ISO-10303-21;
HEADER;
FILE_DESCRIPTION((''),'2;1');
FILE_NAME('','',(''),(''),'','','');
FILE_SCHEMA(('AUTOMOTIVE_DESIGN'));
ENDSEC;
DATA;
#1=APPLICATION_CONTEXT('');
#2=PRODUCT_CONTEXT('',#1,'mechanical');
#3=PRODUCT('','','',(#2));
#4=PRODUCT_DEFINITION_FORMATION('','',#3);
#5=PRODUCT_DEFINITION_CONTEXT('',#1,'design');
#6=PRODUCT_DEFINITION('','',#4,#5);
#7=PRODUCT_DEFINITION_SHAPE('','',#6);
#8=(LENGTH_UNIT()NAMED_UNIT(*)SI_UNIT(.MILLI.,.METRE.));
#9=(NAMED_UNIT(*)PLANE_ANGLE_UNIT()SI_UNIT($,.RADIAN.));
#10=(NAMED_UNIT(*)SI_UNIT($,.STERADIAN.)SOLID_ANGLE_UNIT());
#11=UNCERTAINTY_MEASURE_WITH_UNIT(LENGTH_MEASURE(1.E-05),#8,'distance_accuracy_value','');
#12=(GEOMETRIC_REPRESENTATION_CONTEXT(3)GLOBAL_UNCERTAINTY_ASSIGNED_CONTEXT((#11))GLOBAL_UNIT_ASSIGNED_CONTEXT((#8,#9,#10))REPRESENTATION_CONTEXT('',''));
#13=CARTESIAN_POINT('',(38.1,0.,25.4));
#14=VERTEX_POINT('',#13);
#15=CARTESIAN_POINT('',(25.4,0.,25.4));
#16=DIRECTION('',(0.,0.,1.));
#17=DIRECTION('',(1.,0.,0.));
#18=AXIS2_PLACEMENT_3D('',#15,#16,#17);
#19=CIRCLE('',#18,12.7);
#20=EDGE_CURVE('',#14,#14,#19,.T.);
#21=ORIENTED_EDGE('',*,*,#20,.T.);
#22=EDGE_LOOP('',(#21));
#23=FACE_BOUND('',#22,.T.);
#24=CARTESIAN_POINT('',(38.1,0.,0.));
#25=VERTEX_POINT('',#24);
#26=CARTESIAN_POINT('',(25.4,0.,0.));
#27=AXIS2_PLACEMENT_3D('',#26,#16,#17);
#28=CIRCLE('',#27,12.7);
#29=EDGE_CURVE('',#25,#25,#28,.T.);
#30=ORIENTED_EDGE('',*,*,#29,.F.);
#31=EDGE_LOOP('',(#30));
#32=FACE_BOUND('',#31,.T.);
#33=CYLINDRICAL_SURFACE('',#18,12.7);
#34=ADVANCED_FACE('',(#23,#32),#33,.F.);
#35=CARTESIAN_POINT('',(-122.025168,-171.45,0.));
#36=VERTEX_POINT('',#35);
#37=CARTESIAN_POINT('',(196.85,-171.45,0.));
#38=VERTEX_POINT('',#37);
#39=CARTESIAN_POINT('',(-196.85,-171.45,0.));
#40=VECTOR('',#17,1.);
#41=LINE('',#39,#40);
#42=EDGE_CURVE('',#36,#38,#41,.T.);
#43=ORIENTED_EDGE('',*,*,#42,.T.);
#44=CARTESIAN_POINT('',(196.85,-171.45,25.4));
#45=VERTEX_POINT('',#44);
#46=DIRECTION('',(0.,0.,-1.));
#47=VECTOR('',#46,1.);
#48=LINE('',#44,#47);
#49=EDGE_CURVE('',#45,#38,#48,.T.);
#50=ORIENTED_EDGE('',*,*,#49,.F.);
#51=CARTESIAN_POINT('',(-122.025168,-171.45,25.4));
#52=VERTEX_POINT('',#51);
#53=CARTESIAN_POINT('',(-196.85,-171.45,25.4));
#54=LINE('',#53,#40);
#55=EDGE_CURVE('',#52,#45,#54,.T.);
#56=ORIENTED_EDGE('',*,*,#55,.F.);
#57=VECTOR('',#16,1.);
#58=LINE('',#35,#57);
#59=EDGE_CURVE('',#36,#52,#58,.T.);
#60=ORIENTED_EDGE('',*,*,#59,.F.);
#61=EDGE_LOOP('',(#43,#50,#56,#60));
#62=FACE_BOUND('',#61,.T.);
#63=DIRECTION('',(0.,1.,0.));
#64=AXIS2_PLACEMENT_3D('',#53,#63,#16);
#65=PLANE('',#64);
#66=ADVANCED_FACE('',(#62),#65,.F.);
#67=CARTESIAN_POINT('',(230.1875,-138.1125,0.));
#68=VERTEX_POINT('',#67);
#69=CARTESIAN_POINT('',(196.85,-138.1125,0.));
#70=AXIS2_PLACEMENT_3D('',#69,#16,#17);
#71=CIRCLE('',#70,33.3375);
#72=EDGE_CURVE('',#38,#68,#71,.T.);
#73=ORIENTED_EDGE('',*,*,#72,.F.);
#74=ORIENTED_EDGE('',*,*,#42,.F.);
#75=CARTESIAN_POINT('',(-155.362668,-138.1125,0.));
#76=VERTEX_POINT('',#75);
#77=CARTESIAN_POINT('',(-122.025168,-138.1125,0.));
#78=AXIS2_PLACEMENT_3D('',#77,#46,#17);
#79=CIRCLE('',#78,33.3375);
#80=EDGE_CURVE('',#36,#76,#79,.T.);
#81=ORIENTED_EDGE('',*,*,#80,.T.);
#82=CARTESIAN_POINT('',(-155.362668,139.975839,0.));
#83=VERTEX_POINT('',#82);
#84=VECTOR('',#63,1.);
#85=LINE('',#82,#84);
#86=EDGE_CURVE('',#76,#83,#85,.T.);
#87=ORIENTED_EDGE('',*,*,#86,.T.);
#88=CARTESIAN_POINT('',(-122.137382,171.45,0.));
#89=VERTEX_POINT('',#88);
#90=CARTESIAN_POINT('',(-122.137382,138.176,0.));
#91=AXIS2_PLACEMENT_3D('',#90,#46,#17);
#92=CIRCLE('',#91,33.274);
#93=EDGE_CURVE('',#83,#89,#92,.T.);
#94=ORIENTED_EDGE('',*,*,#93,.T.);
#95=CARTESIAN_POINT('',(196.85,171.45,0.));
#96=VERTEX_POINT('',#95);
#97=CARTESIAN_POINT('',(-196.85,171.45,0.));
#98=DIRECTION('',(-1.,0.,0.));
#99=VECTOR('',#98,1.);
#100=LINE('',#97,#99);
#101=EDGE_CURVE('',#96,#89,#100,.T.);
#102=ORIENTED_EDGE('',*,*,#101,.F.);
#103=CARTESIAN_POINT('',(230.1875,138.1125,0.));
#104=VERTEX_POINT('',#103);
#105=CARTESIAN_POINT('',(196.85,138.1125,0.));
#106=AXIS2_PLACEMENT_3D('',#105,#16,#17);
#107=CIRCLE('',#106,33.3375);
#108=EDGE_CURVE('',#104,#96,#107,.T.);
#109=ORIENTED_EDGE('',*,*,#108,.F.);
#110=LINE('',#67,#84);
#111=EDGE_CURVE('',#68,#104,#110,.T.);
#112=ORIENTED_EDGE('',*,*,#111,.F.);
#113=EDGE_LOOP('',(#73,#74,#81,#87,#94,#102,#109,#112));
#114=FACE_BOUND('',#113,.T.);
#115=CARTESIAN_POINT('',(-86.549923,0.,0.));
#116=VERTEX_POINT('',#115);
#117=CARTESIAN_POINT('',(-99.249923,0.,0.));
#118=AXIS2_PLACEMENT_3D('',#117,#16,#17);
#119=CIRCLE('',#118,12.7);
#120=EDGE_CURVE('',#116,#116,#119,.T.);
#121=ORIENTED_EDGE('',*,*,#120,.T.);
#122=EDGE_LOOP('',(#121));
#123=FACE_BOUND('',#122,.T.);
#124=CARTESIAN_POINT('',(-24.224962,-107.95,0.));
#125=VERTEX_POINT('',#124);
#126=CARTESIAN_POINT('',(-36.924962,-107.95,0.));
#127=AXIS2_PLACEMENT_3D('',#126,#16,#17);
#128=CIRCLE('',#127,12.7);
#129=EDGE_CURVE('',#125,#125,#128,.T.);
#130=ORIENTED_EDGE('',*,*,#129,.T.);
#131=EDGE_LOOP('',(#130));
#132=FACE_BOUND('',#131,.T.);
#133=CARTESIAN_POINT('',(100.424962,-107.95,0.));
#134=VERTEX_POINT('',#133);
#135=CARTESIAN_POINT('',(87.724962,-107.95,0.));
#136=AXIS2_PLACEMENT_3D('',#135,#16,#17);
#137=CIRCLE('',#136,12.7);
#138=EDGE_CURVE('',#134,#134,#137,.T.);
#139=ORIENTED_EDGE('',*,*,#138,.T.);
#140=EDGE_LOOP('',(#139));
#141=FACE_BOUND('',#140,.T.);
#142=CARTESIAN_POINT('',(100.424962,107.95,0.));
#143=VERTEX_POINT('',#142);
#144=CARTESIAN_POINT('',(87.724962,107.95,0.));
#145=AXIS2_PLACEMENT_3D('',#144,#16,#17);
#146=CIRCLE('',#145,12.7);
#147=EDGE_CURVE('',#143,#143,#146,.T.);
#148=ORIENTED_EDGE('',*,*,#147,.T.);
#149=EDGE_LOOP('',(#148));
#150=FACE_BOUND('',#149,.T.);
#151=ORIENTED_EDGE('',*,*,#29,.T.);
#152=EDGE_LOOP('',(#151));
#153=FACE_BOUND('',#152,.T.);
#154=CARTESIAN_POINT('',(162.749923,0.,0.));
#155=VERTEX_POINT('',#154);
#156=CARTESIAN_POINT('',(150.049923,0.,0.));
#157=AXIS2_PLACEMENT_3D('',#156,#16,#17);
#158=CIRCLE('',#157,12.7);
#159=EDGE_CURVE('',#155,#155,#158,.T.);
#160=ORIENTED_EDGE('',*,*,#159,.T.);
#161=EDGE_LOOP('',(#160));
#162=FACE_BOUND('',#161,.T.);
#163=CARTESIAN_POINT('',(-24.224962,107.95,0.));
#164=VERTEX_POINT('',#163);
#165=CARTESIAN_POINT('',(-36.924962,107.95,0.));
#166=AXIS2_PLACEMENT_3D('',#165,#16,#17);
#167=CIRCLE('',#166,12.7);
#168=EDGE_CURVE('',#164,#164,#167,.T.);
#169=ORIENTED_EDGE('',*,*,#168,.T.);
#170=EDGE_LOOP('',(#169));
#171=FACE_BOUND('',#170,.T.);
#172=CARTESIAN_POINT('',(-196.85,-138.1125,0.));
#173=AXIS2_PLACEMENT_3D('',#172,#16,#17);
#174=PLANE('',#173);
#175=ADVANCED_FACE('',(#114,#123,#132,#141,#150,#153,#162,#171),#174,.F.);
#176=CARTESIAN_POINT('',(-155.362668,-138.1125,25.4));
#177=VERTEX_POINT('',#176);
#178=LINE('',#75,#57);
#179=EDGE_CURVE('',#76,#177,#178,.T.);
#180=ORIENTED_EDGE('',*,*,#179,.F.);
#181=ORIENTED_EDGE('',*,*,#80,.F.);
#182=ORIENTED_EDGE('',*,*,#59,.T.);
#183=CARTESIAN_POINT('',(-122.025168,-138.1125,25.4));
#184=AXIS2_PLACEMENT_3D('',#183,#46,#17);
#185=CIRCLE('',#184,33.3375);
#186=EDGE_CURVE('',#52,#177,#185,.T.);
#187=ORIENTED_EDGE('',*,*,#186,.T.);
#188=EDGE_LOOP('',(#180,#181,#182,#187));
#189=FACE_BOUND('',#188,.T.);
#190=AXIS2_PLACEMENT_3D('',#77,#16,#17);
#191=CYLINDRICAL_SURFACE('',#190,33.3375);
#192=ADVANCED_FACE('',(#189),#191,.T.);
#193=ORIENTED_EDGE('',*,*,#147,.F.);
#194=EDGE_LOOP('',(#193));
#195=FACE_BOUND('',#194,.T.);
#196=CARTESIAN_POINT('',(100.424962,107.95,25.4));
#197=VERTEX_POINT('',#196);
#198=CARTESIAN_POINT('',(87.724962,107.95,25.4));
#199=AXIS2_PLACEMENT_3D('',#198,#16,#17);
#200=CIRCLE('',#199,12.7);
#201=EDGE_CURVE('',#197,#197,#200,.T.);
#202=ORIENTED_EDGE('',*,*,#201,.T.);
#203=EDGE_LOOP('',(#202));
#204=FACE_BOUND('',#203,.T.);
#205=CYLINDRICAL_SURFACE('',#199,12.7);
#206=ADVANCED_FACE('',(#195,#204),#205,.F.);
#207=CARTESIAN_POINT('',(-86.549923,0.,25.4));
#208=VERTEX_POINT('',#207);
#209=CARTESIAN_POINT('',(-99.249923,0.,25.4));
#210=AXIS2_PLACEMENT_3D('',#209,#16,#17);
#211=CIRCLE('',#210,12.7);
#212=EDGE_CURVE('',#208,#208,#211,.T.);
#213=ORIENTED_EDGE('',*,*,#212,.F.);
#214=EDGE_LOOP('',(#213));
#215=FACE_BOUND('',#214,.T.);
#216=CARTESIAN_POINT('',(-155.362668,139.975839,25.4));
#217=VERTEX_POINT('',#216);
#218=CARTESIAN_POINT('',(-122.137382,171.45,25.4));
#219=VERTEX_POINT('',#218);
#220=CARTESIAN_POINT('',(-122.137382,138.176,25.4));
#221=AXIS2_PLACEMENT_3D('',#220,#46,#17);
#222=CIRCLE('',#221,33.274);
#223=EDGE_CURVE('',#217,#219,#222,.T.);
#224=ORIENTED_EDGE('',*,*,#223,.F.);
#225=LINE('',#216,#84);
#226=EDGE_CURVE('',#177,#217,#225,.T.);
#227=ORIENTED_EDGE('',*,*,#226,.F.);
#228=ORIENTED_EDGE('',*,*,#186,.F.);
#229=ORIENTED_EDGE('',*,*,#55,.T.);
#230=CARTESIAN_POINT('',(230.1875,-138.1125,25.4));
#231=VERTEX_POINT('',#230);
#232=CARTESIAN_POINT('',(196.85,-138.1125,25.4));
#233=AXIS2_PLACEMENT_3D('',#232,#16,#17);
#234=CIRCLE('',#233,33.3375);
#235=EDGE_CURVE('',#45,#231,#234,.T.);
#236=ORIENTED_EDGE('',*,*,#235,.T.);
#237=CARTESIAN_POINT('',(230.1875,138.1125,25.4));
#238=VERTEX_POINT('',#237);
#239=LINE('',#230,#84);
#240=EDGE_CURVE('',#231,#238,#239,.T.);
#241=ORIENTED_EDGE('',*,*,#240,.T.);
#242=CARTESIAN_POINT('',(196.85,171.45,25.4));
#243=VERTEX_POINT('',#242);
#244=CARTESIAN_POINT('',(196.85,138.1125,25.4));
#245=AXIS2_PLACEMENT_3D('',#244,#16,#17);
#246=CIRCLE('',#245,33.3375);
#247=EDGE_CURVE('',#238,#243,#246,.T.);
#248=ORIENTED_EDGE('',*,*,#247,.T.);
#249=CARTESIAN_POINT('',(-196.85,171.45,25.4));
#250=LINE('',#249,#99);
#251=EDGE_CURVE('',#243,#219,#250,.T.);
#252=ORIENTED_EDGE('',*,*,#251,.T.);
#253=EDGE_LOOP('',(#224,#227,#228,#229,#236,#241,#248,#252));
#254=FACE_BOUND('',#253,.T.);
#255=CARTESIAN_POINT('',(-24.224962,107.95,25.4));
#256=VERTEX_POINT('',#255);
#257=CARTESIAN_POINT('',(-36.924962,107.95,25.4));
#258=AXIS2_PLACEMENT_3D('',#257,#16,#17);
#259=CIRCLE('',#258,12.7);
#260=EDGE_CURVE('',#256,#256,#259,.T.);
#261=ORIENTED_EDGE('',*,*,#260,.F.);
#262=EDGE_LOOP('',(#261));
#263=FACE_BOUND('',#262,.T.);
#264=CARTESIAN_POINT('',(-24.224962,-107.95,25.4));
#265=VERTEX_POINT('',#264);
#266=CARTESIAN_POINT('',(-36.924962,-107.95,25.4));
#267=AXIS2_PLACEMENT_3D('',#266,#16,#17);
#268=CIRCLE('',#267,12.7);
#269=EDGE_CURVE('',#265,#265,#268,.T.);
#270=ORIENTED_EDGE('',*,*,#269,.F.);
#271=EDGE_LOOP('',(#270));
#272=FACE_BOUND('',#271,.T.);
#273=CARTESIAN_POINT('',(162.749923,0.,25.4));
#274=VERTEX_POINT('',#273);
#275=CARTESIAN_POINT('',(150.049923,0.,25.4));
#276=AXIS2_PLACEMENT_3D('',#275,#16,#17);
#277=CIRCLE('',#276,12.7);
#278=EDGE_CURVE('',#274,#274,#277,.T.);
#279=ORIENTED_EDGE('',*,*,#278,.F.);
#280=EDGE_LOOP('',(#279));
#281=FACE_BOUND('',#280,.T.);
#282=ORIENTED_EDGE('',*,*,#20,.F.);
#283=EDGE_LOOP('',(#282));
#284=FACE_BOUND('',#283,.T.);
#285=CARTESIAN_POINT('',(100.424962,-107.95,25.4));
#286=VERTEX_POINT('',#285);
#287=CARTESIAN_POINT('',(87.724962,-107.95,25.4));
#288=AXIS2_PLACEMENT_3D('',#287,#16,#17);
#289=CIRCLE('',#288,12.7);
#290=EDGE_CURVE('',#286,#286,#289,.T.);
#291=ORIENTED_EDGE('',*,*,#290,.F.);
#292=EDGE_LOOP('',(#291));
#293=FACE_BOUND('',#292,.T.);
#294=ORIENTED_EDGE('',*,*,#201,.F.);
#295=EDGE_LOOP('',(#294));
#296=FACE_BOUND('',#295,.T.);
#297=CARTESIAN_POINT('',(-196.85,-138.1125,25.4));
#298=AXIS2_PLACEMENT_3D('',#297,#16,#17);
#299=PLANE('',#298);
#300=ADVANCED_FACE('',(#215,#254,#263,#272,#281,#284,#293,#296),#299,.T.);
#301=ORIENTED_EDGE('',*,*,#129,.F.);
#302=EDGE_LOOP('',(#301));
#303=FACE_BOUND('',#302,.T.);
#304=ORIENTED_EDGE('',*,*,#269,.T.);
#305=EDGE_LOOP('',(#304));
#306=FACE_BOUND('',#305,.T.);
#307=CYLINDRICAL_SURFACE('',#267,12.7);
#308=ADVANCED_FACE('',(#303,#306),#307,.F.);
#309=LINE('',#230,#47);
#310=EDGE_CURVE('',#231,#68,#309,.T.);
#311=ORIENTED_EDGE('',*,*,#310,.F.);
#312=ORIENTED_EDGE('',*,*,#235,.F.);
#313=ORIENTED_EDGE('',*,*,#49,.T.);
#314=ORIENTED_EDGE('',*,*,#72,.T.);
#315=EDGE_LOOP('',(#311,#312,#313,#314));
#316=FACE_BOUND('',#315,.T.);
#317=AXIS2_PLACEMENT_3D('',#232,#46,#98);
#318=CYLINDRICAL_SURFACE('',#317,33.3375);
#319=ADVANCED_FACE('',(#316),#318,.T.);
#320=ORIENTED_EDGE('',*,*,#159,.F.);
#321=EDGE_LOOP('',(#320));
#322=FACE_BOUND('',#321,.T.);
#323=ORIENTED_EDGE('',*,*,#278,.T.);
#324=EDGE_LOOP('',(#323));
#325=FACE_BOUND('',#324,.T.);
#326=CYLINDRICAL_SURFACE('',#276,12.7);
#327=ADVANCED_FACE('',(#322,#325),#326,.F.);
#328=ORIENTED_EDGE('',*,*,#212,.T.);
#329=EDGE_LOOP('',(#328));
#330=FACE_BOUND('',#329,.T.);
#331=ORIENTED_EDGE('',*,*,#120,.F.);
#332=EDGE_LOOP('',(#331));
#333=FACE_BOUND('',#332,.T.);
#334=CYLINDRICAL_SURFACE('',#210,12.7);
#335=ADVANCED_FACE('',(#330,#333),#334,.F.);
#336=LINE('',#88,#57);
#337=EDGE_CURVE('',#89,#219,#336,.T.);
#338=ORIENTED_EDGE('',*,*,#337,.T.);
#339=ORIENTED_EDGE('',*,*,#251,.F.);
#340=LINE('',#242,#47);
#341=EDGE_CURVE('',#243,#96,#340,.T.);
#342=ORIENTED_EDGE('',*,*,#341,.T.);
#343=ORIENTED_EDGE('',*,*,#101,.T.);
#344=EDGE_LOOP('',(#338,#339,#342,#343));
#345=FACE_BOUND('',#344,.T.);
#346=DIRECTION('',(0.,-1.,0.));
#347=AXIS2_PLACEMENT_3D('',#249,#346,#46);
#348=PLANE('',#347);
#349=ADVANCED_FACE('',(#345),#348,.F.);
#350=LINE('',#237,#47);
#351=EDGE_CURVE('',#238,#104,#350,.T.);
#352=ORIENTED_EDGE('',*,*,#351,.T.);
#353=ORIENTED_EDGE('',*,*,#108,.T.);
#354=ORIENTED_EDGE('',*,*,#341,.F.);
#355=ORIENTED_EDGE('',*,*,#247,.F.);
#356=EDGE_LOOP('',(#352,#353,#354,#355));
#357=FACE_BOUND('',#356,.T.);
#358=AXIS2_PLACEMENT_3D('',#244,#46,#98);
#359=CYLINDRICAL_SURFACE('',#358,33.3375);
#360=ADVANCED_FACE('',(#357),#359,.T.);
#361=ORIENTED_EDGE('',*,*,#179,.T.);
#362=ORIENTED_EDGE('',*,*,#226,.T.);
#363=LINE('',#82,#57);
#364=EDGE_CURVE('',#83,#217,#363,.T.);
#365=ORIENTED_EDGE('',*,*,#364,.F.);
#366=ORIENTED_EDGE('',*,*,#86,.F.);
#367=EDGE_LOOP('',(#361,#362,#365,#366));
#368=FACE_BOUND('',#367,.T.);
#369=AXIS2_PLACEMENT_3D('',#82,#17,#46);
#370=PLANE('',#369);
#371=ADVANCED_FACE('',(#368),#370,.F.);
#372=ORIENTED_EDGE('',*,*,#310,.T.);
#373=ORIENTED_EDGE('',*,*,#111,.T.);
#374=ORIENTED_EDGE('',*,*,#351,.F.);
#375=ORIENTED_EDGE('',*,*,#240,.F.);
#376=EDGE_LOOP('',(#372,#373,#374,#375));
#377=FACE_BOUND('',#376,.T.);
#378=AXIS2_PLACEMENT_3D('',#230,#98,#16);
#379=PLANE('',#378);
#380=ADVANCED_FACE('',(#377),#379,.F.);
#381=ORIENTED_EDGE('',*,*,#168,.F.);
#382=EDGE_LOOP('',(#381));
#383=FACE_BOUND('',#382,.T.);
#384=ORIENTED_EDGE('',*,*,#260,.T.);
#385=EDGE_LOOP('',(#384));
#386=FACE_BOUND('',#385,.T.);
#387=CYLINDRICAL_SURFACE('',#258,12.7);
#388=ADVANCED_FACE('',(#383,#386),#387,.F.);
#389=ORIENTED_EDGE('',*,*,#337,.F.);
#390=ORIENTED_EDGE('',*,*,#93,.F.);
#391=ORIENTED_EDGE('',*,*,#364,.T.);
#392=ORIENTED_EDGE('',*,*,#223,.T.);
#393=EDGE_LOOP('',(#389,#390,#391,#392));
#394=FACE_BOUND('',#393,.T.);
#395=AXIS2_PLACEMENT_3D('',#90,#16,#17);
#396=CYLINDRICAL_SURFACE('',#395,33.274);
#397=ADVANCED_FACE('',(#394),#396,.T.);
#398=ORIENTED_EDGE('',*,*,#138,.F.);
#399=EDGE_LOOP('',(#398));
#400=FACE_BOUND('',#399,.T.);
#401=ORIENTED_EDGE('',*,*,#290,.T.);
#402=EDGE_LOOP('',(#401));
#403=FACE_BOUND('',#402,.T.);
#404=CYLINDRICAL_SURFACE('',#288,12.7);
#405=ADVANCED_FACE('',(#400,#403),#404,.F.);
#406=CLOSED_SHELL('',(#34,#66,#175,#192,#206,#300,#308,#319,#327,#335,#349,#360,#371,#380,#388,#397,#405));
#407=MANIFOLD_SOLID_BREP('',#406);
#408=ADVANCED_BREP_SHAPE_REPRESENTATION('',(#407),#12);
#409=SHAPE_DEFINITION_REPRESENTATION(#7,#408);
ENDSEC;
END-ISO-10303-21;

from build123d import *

# Parameters (mm, degrees)
BOSS_EXTRUDE1_DEPTH    = 25.4
CUT_EXTRUDE1_DEPTH     = 25.4
F_1_1_DIAMETER_HOLE1_D = 25.4


with BuildPart() as part:
    # Sketch1 → Boss-Extrude1 (new body)
    with BuildSketch(Plane.XY):
        with BuildLine():
            Line((-196.85, -171.45), (196.85, -171.45))
            ThreePointArc((196.85, -171.45), (220.423172318, -161.685672318), (230.1875, -138.1125))
            Line((230.1875, -138.1125), (230.1875, 138.1125))
            ThreePointArc((230.1875, 138.1125), (220.423172318, 161.685672318), (196.85, 171.45))
            Line((196.85, 171.45), (-196.85, 171.45))
            ThreePointArc((-196.85, 171.45), (-220.423172318, 161.685672318), (-230.1875, 138.1125))
            Line((-230.1875, 138.1125), (-230.1875, -138.1125))
            ThreePointArc((-230.1875, -138.1125), (-220.423172318, -161.685672318), (-196.85, -171.45))
        make_face()
    extrude(amount=BOSS_EXTRUDE1_DEPTH)

    # Sketch2 → Cut-Extrude1 (cut)
    with BuildSketch(Plane.XY.offset(25.4)):
        with BuildLine():
            Line((-230.1875, 138.1125), (-230.1875, -138.1125))
            ThreePointArc((-230.1875, -138.1125), (-220.423172318, -161.685672318), (-196.85, -171.45))
            Line((-196.85, -171.45), (-122.025168103, -171.45))
            ThreePointArc((-122.025168103, -171.45), (-145.59834042, -161.685672318), (-155.362668103, -138.1125))
            Line((-155.362668103, -138.1125), (-155.362668103, 139.975839194))
            ThreePointArc((-155.362668103, 139.975839194), (-145.020467472, 162.332230308), (-122.137381725, 171.45))
            Line((-122.137381725, 171.45), (-155.460095347, 171.45))
            Line((-155.460095347, 171.45), (-196.85, 171.45))
            ThreePointArc((-196.85, 171.45), (-220.423172318, 161.685672318), (-230.1875, 138.1125))
        make_face()
    extrude(amount=-CUT_EXTRUDE1_DEPTH, mode=Mode.SUBTRACT)

    # 1 (1) Diameter Hole1 (through all)
    with Locations(Plane.XY.offset(25.4)):
        with Locations((25.4, 0), (-36.924961559, 107.95), (87.724961559, 107.95), (150.049923118, 0), (87.724961559, -107.95), (-36.924961559, -107.95), (-99.249923118, 0)):
            Hole(F_1_1_DIAMETER_HOLE1_D / 2)


solid = part.part
